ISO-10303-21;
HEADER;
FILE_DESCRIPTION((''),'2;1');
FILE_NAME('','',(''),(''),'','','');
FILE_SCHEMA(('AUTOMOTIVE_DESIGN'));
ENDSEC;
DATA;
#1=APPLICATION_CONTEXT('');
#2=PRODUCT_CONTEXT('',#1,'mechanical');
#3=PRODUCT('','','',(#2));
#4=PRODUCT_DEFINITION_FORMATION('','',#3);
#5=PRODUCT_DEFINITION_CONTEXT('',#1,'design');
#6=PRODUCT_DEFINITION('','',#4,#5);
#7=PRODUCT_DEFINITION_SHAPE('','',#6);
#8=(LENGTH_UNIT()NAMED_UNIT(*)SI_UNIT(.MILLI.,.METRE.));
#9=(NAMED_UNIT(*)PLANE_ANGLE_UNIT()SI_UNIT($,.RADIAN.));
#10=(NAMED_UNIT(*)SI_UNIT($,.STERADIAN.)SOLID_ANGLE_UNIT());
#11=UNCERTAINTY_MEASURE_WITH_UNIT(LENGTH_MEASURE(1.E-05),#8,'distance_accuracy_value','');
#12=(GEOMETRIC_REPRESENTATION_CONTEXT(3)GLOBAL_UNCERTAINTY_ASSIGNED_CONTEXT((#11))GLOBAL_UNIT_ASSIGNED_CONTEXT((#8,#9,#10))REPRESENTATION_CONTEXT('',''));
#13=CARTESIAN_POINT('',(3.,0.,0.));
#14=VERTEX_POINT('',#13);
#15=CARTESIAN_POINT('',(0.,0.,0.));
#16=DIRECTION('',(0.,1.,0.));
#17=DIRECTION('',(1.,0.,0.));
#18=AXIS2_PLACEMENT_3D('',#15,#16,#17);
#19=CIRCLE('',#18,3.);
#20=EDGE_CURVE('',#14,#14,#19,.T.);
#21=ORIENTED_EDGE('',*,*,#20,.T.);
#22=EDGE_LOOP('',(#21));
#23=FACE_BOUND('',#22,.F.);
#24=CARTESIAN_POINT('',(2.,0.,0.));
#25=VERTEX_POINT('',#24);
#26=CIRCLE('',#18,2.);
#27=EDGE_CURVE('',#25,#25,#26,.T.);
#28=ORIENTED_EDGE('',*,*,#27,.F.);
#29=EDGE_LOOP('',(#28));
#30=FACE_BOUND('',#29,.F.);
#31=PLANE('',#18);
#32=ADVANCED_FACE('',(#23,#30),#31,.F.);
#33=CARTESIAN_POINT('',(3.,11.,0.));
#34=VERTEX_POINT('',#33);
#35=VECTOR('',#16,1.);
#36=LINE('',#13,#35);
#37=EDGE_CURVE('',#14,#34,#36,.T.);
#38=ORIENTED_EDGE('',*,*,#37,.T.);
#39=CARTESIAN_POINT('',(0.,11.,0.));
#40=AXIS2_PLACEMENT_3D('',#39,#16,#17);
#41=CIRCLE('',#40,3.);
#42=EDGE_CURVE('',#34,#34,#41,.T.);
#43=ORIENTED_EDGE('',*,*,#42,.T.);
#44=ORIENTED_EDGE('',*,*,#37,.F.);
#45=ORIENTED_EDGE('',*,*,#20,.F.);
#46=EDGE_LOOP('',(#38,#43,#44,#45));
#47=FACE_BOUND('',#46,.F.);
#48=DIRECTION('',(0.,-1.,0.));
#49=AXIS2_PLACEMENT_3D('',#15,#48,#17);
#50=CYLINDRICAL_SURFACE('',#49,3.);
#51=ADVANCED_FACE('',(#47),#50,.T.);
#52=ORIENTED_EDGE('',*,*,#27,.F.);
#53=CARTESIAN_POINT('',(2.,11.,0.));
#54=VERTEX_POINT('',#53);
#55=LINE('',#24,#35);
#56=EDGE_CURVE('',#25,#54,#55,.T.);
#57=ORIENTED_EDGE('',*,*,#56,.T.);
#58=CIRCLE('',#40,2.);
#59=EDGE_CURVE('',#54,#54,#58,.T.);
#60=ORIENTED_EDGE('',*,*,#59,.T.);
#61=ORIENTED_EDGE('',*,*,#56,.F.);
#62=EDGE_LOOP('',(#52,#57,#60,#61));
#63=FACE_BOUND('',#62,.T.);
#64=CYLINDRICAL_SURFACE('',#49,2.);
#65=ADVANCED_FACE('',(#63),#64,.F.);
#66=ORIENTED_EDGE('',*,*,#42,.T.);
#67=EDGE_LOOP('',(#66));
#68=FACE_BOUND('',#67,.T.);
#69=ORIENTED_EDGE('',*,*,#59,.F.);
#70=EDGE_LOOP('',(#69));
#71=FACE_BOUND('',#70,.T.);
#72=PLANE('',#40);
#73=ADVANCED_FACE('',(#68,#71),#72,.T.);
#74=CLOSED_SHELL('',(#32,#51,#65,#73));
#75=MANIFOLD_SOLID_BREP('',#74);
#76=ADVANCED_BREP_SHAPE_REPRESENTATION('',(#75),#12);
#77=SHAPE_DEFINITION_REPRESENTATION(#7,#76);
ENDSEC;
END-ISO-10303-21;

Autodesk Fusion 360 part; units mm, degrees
sketch "スケッチ1" plane through (0, 0, 0) normal (0, 1, 0) x (1, 0, 0)
  circle A0 centre (0, 0) radius 1.3
  circle A1 centre (0, 0) radius 2.5
  circle A2 centre (0, 0) radius 1.5
  dimension "d1" = 2.6
extrude "押し出し2" add sketch "スケッチ1" along normal blind 11 contours A1 makes body 1
extrude "押し出し1" add sketch "スケッチ1" along normal blind 11 separate body contours A1 | A2 makes body 2
sketch "スケッチ2" plane through (0, 0, 0) normal (0, 1, 0) x (1, 0, 0)
  circle A0 centre (0, 0) radius 2
  circle A1 centre (0, 0) radius 3
extrude "押し出し3" add sketch "スケッチ2" along normal blind 11 separate body makes body 3
hidden bodies 1 2
